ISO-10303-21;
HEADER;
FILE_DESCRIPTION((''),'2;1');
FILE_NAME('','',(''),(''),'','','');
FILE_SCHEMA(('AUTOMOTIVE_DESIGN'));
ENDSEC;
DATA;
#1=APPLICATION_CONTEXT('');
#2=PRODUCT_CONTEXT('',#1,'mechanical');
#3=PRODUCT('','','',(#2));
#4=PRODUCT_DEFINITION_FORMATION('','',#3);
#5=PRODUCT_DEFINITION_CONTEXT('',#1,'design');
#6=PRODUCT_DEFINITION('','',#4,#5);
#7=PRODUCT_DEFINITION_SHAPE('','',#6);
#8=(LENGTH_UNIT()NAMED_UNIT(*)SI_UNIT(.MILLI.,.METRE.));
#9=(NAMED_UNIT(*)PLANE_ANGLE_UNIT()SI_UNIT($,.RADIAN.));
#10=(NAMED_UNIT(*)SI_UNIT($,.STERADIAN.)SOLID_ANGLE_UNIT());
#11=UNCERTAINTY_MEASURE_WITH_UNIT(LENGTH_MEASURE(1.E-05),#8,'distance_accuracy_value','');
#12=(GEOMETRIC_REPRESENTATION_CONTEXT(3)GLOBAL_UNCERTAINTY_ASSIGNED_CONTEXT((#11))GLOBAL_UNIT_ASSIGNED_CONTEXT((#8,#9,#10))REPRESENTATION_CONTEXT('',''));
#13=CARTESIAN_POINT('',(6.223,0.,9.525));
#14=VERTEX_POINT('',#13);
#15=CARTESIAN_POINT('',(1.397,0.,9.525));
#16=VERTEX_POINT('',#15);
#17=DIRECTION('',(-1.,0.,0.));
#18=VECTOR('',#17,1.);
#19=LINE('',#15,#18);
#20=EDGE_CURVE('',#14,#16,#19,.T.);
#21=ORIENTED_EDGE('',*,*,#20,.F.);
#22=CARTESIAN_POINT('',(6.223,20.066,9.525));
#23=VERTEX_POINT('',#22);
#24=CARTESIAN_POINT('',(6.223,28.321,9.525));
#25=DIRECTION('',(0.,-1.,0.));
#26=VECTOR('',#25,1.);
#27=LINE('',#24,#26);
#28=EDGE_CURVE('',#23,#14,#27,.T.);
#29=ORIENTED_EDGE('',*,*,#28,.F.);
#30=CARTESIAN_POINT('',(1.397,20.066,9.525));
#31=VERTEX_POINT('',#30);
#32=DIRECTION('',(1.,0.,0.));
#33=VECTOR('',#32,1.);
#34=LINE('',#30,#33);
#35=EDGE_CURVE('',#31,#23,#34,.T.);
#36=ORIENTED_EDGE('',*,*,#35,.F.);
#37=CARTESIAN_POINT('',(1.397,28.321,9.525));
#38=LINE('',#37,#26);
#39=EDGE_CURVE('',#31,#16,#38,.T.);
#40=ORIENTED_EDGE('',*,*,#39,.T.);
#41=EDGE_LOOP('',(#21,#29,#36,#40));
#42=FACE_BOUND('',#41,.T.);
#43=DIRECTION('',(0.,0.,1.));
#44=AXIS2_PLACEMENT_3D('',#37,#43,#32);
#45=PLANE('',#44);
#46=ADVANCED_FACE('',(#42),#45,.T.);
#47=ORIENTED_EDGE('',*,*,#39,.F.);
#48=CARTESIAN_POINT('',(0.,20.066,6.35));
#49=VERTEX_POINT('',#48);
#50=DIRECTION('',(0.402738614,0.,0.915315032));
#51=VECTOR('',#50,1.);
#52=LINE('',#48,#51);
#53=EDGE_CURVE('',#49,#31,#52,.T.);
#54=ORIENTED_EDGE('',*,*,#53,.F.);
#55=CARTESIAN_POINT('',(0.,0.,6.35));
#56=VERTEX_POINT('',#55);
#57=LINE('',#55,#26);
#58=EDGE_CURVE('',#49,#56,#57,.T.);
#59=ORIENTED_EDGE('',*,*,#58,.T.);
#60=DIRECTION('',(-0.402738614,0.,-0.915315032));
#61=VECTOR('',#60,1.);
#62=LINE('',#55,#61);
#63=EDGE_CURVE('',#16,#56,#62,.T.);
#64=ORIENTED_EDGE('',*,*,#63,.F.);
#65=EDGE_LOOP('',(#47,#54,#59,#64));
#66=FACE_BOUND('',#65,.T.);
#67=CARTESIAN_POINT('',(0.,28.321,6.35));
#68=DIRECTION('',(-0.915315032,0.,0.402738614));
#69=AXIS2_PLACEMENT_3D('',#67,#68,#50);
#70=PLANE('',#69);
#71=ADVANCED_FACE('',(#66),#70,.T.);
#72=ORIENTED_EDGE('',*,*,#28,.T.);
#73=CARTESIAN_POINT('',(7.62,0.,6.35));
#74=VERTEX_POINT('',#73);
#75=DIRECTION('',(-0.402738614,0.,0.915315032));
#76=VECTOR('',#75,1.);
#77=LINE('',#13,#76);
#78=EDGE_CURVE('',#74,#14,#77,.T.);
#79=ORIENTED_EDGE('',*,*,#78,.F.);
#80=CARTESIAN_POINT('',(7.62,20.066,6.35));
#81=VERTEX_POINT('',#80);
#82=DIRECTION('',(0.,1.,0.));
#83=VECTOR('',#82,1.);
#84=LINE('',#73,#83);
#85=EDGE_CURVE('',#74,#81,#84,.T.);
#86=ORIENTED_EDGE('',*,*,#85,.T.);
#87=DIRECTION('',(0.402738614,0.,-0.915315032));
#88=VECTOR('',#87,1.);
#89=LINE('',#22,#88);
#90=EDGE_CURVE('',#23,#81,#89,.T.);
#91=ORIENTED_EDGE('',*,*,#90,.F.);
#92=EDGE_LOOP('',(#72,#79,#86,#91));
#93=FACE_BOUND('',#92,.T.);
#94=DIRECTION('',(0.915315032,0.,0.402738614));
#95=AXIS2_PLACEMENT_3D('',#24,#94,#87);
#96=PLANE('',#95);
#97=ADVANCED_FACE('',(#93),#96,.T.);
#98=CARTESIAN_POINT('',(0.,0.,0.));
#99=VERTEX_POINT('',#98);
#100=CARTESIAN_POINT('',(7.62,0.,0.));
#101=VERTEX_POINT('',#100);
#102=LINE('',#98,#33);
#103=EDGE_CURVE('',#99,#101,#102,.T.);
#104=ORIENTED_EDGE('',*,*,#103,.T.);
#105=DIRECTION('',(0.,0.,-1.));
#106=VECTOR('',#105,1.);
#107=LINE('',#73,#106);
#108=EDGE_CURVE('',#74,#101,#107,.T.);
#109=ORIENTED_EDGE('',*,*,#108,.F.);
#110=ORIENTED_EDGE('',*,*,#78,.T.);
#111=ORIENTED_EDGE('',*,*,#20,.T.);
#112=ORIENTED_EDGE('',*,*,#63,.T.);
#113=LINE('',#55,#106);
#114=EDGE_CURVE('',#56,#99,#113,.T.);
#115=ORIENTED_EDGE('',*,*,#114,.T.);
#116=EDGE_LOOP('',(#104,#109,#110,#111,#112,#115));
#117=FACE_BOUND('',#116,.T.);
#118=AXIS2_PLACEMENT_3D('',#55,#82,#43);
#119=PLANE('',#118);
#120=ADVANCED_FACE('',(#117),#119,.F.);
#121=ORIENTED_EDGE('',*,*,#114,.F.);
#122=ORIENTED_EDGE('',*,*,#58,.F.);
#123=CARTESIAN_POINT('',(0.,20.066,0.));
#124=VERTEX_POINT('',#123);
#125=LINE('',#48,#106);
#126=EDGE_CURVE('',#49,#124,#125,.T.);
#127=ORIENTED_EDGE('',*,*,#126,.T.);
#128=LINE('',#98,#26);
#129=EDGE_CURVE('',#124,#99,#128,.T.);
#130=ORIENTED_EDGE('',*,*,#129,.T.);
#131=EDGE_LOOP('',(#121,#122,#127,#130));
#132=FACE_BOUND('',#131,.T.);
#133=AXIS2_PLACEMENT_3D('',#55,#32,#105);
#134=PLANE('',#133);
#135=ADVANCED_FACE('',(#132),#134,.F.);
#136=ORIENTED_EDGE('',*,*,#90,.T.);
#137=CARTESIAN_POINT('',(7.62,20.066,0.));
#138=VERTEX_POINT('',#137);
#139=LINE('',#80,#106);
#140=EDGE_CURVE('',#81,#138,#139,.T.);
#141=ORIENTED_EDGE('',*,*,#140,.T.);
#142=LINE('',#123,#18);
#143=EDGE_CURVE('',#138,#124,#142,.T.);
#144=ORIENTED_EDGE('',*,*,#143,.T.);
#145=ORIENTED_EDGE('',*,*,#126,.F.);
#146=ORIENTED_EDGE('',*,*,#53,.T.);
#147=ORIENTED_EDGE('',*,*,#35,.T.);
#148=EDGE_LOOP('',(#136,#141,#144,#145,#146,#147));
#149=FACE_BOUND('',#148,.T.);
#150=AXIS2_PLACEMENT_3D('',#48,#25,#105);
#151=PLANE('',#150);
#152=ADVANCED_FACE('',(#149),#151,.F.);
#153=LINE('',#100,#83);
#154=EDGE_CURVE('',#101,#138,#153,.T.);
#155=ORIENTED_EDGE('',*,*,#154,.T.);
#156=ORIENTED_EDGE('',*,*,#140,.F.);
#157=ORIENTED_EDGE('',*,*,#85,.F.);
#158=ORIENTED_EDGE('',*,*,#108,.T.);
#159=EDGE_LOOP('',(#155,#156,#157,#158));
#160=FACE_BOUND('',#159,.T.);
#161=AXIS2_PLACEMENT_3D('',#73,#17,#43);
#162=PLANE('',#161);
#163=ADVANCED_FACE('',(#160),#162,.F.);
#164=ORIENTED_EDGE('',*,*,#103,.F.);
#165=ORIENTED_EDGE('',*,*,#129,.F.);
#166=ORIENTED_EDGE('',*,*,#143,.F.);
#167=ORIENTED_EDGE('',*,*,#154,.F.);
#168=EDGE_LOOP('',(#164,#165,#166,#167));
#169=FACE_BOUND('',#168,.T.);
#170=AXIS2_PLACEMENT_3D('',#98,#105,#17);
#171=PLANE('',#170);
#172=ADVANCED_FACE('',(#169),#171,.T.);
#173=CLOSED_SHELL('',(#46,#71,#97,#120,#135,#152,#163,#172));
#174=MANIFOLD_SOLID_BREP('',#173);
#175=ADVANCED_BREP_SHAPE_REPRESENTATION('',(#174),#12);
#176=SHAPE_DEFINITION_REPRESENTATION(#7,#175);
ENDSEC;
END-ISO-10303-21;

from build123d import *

# Parameters (mm, degrees)
SKETCH1_W           = 7.62
SKETCH1_H           = 20.066
BOSS_EXTRUDE1_DEPTH = 6.35
BOSS_EXTRUDE2_DEPTH = 20.066


with BuildPart() as part:
    # Sketch1 → Boss-Extrude1 (new body)
    with BuildSketch(Plane.XY):
        with Locations((3.81, 10.033)):
            Rectangle(SKETCH1_W, SKETCH1_H)
    extrude(amount=BOSS_EXTRUDE1_DEPTH)

    # Sketch4 → Boss-Extrude2 (add)
    with BuildSketch(Plane.XZ):
        Polygon((0, 6.35), (1.397, 9.525), (6.223, 9.525), (7.62, 6.35), align=None)
    extrude(amount=-BOSS_EXTRUDE2_DEPTH)


solid = part.part
